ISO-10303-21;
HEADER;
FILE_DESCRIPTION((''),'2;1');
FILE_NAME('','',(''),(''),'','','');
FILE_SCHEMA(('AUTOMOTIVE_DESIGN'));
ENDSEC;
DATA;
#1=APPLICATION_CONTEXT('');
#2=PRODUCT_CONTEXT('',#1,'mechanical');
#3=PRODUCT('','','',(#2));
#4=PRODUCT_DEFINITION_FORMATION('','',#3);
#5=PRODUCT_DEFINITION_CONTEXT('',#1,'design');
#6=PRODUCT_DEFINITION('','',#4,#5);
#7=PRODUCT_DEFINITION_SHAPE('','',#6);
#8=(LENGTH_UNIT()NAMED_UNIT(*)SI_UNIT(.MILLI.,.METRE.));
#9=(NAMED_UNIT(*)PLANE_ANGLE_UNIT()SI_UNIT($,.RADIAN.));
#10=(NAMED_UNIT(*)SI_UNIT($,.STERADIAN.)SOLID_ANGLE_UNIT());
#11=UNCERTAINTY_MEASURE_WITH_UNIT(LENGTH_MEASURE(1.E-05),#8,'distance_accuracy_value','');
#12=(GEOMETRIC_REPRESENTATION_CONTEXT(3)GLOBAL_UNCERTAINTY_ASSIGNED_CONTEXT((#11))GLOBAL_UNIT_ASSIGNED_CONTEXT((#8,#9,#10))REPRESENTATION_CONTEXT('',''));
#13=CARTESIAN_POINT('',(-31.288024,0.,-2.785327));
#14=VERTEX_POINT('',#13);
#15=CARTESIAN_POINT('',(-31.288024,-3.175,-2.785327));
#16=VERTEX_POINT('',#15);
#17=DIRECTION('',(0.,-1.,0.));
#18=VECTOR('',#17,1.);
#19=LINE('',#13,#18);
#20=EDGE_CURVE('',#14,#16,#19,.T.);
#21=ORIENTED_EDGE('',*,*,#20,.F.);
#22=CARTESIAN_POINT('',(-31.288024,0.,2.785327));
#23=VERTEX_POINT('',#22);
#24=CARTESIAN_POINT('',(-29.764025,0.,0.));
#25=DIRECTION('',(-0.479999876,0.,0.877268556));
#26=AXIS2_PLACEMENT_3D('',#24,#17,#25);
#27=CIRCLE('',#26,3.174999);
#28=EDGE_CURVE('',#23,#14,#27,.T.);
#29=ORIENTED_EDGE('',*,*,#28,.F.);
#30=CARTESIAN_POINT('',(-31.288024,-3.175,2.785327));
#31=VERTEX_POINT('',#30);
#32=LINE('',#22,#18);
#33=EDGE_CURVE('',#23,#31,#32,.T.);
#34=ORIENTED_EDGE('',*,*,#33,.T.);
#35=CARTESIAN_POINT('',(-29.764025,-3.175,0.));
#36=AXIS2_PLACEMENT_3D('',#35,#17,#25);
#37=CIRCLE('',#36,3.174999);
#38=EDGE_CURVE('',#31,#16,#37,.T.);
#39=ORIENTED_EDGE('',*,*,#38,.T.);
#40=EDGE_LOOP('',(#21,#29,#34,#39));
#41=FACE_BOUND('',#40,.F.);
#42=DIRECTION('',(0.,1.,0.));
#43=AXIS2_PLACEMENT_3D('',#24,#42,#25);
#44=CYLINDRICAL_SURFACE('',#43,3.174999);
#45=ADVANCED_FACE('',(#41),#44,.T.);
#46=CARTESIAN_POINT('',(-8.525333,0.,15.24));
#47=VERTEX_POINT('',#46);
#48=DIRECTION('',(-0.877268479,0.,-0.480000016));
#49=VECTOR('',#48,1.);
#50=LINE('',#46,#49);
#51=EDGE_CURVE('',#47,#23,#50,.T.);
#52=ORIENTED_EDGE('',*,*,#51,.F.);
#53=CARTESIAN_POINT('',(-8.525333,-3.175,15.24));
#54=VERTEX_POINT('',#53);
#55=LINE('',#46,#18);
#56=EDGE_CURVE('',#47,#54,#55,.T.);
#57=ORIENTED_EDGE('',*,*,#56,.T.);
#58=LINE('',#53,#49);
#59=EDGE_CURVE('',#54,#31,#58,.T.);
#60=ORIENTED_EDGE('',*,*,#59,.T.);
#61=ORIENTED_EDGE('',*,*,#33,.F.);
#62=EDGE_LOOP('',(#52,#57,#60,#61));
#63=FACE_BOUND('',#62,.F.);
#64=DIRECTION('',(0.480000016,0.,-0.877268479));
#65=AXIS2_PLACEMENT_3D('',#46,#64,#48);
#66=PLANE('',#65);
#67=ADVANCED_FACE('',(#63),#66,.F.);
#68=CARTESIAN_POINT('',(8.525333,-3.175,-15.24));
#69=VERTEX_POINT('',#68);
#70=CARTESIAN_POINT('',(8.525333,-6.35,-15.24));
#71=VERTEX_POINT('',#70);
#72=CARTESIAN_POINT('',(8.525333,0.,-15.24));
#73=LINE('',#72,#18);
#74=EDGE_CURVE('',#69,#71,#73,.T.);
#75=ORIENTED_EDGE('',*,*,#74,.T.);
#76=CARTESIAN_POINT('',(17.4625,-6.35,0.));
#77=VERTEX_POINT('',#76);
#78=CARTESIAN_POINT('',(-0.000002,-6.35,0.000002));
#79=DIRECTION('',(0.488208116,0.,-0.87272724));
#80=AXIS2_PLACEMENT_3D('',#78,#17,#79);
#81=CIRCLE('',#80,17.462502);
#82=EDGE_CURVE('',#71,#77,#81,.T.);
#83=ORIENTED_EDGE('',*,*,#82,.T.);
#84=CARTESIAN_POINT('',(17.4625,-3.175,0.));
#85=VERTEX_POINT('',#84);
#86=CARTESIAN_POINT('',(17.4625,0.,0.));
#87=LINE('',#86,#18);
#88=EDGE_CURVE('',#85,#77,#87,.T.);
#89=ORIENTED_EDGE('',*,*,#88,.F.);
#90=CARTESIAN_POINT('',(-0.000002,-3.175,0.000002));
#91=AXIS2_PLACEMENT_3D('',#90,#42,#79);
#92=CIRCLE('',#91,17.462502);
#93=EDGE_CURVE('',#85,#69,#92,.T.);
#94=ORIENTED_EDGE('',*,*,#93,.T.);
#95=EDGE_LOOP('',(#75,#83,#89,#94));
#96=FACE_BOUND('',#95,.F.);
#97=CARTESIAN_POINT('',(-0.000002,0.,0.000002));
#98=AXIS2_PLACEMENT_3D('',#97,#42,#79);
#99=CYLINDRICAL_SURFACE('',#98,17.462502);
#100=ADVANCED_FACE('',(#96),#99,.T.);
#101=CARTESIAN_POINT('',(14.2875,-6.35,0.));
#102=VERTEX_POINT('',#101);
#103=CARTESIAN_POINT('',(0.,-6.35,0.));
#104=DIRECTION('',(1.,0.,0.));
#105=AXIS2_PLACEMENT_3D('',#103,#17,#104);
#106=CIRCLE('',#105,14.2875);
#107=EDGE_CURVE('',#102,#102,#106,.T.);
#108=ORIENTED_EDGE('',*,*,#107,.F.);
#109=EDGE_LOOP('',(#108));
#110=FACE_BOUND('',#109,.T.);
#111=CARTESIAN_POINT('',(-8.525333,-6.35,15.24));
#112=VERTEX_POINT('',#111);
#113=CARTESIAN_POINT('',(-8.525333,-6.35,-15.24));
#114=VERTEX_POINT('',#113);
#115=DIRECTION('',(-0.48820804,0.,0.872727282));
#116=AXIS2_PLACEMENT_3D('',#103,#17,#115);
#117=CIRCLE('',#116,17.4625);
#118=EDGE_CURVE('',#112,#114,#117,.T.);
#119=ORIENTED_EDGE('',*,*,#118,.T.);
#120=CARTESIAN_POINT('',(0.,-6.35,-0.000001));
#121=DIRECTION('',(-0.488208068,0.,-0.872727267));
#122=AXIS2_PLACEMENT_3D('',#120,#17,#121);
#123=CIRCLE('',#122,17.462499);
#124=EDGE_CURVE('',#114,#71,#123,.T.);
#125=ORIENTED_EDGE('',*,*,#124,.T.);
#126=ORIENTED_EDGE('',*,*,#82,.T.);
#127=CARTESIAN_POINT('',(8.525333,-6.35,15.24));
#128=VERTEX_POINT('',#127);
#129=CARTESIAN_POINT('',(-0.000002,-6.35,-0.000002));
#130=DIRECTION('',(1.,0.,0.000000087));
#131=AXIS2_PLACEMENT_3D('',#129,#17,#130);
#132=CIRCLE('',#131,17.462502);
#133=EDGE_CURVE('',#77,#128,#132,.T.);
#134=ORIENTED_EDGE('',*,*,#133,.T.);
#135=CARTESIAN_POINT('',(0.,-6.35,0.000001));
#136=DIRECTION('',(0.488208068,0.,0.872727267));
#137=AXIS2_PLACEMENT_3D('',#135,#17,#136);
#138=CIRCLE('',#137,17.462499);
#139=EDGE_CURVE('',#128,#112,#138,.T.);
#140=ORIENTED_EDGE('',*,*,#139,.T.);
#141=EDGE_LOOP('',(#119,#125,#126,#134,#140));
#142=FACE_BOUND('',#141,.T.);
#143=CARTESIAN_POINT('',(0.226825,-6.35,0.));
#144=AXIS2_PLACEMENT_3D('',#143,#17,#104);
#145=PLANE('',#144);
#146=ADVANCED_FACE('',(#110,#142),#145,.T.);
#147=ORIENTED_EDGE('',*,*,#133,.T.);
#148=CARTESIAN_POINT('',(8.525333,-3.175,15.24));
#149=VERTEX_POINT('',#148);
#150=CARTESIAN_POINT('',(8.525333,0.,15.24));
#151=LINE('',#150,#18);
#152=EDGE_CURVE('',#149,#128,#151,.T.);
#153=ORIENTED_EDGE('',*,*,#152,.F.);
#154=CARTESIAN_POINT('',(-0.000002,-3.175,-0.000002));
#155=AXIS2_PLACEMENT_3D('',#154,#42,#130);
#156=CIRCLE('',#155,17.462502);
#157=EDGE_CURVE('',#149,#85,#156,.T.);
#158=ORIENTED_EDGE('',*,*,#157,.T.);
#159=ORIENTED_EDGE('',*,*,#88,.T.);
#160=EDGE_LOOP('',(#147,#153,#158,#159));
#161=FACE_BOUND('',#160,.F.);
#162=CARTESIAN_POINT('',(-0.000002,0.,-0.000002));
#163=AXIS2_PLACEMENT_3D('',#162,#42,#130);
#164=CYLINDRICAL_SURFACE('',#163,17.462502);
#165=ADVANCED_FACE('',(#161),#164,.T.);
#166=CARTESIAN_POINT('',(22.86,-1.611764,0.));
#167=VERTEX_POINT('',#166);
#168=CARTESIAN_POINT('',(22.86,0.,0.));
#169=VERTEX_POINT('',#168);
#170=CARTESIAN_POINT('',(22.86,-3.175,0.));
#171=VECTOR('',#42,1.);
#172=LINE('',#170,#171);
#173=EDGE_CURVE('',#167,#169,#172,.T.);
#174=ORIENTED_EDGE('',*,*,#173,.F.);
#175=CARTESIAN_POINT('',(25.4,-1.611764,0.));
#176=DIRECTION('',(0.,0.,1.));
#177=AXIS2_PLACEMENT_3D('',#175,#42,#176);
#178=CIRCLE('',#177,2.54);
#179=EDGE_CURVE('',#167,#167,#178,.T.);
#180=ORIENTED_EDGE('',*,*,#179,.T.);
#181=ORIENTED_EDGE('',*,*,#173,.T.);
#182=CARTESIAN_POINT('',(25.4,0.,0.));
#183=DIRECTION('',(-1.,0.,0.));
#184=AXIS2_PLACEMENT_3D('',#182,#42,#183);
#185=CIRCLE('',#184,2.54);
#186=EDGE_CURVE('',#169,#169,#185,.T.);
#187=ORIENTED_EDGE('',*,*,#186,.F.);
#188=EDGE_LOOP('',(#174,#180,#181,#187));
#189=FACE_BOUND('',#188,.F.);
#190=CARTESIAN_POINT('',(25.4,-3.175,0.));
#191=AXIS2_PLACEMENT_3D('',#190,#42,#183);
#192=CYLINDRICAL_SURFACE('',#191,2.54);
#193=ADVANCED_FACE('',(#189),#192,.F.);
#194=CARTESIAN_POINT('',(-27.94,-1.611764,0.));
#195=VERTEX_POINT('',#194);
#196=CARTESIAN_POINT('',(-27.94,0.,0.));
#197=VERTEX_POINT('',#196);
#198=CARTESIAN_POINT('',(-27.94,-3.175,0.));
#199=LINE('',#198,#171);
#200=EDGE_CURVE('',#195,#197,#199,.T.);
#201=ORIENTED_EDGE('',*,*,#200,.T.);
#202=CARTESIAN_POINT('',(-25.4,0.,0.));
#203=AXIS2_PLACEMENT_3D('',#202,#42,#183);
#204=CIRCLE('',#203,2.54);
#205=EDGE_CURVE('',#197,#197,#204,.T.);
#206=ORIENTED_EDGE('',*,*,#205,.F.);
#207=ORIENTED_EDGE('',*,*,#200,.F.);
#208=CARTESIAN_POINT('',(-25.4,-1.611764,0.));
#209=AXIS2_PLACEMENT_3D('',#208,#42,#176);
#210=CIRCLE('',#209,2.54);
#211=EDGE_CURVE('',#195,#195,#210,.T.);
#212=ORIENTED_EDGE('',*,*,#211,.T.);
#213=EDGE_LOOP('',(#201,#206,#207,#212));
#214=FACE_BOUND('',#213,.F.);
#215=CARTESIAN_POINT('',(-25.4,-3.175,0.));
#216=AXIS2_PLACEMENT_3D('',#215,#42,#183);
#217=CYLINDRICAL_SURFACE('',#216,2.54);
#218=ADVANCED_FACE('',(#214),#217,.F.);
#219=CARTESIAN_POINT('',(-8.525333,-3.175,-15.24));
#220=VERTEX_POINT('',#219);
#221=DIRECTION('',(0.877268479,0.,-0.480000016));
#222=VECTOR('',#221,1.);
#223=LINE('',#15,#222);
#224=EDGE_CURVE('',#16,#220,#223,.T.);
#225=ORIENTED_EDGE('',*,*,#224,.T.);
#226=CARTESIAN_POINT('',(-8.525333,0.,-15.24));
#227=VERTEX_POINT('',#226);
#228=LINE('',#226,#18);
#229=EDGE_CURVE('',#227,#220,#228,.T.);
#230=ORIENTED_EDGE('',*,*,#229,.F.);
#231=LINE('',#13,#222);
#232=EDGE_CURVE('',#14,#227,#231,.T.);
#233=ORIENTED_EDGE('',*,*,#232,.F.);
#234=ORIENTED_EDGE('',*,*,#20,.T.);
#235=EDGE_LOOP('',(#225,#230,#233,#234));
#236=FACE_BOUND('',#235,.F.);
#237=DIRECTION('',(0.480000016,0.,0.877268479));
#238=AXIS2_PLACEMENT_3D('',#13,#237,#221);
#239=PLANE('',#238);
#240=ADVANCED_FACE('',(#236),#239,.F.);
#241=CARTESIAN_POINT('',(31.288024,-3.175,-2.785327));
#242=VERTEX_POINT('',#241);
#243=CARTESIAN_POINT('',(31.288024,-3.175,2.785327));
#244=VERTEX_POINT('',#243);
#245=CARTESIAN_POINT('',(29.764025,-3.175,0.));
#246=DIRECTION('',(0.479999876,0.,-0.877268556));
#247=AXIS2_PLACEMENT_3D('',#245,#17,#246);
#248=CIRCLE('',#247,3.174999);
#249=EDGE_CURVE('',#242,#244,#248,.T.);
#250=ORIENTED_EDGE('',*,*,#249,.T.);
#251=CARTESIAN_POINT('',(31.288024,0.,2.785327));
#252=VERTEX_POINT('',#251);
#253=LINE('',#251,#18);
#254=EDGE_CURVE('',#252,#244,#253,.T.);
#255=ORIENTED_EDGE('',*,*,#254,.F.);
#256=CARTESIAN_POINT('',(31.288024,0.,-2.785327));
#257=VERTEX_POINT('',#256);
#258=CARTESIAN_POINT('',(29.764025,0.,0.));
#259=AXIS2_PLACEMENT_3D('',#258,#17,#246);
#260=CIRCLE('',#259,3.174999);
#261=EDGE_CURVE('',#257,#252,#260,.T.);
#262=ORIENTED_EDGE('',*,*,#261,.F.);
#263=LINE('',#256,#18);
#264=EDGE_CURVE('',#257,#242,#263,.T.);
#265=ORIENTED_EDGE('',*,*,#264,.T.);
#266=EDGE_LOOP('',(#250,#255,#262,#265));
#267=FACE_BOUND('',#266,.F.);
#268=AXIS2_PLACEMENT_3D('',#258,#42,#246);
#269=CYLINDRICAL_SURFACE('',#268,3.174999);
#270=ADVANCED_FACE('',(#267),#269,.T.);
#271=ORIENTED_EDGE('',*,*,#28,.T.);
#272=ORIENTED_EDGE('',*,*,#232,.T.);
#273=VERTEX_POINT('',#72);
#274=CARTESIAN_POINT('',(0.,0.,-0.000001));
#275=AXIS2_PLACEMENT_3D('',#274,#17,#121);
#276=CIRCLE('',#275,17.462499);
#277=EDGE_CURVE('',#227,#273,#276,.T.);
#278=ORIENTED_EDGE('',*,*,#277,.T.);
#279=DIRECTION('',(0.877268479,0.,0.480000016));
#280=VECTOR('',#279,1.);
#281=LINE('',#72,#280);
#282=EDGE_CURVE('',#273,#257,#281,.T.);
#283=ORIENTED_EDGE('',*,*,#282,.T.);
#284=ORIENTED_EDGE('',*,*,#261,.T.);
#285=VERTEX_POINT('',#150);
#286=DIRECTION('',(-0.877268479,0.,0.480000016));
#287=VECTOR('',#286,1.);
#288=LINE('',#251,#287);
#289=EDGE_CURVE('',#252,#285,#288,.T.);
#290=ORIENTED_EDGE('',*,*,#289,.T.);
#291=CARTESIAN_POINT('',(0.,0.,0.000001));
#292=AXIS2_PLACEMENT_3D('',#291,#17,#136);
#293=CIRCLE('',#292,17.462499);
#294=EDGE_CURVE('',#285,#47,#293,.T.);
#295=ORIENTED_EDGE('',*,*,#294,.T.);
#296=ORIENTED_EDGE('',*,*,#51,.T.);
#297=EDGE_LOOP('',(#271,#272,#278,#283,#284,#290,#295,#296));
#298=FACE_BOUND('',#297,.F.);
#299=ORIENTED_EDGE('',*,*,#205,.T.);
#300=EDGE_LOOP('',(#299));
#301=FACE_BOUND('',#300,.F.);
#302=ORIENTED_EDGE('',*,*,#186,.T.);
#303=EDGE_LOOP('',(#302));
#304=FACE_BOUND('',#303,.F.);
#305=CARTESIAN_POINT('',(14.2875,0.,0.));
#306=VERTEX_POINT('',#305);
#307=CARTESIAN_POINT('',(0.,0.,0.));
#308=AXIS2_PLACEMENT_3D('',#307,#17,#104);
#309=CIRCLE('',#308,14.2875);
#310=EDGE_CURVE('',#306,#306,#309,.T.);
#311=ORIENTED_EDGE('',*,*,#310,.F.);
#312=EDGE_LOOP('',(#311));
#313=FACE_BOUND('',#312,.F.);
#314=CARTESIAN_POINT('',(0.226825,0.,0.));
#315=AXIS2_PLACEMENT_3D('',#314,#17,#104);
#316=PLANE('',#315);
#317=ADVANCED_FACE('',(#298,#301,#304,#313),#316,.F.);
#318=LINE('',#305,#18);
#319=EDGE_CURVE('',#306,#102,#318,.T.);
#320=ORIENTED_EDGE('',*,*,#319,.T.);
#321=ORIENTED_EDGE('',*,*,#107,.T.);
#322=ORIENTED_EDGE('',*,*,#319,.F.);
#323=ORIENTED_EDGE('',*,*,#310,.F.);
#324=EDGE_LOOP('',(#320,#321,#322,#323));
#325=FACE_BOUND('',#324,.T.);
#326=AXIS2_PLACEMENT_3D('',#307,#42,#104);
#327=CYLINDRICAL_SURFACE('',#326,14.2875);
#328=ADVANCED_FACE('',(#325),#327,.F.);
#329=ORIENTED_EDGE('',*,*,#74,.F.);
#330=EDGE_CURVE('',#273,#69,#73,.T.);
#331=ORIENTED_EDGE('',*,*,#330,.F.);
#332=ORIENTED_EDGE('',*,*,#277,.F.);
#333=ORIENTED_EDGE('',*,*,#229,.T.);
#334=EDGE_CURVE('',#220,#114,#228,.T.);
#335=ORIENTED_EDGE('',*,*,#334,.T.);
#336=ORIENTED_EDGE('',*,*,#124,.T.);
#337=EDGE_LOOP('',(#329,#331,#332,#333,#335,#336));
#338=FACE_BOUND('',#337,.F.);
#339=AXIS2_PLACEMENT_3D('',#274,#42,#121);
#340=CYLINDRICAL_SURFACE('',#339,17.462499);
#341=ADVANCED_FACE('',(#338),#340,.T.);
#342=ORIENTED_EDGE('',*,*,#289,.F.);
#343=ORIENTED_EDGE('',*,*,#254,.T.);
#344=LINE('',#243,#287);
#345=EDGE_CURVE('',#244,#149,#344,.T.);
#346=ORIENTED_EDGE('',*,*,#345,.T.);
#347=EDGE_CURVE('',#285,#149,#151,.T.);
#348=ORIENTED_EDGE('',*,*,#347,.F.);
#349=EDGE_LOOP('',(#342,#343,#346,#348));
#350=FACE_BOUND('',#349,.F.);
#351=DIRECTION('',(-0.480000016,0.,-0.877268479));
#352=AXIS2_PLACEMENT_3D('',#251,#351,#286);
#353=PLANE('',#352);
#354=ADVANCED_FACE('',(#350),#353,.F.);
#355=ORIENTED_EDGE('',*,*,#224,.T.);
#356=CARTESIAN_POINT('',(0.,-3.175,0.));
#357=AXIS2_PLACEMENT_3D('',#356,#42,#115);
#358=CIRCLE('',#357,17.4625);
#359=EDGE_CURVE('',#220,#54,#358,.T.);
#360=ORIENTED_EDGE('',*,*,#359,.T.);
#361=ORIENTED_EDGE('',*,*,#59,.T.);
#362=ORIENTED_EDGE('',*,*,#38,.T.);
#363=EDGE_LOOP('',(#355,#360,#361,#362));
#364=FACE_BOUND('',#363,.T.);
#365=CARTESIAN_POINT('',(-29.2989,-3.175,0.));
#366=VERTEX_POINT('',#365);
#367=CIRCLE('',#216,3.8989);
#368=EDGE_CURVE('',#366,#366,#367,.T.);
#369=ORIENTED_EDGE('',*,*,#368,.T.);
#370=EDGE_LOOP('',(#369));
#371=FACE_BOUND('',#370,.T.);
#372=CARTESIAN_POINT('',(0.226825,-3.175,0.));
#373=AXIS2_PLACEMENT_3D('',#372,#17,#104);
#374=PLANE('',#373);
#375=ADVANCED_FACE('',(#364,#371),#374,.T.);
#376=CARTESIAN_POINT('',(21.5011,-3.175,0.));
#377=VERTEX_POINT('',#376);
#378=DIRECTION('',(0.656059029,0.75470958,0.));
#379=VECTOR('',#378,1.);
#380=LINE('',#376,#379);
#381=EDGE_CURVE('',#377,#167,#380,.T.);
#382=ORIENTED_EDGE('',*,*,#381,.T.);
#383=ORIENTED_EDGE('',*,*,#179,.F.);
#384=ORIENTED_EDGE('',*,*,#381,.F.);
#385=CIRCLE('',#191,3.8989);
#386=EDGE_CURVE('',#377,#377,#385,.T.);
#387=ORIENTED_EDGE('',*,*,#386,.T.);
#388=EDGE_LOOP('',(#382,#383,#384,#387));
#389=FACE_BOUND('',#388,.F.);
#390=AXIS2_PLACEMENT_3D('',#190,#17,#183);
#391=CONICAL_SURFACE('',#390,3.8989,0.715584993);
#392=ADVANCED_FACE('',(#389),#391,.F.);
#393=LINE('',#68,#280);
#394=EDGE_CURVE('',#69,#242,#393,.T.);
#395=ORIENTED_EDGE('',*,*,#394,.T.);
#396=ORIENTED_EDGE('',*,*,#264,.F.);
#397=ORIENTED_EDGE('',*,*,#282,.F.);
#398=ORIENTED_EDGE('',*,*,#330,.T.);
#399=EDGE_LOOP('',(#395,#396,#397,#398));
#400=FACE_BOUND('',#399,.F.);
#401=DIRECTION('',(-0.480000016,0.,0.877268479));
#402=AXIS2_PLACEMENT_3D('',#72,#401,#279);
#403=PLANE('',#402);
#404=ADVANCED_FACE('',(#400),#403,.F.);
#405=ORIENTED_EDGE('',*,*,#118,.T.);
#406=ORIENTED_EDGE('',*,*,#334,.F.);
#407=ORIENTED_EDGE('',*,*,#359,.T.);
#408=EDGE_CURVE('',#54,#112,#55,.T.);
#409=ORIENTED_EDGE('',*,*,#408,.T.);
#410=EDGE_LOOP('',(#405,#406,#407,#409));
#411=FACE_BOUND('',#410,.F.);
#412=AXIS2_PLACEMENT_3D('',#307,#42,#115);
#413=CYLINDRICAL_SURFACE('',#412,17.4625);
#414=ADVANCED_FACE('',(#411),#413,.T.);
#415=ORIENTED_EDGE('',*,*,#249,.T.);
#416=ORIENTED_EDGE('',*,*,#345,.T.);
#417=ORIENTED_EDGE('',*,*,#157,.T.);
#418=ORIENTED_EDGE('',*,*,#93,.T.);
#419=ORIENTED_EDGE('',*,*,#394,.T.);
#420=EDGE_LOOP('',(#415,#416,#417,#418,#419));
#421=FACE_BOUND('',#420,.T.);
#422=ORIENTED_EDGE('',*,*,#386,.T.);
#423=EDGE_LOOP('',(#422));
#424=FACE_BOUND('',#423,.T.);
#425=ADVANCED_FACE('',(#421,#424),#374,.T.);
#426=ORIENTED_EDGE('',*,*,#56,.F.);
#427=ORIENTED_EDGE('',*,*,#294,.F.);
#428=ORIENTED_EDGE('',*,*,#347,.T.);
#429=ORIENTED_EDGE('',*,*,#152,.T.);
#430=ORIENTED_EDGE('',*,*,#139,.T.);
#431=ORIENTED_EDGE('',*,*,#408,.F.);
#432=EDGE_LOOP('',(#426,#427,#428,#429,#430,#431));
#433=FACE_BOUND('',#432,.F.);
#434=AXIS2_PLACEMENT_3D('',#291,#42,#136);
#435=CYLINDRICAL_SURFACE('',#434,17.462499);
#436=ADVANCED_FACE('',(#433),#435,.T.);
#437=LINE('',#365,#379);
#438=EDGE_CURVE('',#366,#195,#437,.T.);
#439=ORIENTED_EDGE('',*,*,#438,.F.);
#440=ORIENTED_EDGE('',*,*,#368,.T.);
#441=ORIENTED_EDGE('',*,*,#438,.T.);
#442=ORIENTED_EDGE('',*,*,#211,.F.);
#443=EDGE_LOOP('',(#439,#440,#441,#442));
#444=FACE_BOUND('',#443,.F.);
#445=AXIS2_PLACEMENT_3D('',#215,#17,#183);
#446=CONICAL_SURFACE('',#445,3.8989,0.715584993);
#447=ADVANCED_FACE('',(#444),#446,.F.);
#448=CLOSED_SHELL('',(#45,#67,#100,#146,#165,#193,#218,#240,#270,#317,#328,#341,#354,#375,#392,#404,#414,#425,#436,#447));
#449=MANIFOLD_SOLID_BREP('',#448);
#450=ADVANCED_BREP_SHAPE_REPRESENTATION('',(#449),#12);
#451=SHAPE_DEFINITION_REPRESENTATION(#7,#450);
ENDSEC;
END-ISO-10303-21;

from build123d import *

# Parameters (mm, degrees)
F0_R           = 14.2875
F1_DEPTH       = 3.175
F2_DEPTH       = 6.35
F4_D           = 5.08
F4_CSINK_D     = 7.7978
F4_CSINK_ANGLE = 82


with BuildPart() as f1:
    # F0 (on Front) → F1 (new body)
    with BuildSketch(Plane.XZ):
        with BuildLine():
            ThreePointArc((8.525333, -15.24), (15.063408, -8.833608), (17.4625, 0))
            ThreePointArc((17.4625, 0), (15.063408, 8.833608), (8.525333, 15.24))
            ThreePointArc((8.525333, 15.24), (0, 17.4625), (-8.525333, 15.24))
            ThreePointArc((-8.525333, 15.24), (-17.4625, 0), (-8.525333, -15.24))
            ThreePointArc((-8.525333, -15.24), (0, -17.4625), (8.525333, -15.24))
        make_face()
        Circle(F0_R, mode=Mode.SUBTRACT)
        with BuildLine():
            ThreePointArc((8.525333, 15.24), (15.063408, 8.833608), (17.4625, 0))
            ThreePointArc((17.4625, 0), (15.063408, -8.833608), (8.525333, -15.24))
            Line((8.525333, -15.24), (31.288024, -2.785327))
            ThreePointArc((31.288024, -2.785327), (32.939024, 0), (31.288024, 2.785327))
            Line((31.288024, 2.785327), (8.525333, 15.24))
        make_face()
        with BuildLine():
            ThreePointArc((-8.525333, -15.24), (-17.4625, 0), (-8.525333, 15.24))
            Line((-8.525333, 15.24), (-31.288024, 2.785327))
            ThreePointArc((-31.288024, 2.785327), (-32.939024, 0), (-31.288024, -2.785327))
            Line((-31.288024, -2.785327), (-8.525333, -15.24))
        make_face()
    extrude(amount=F1_DEPTH)

    # F0 (on Front) → F2 (join)
    with BuildSketch(Plane.XZ):
        with BuildLine():
            ThreePointArc((8.525333, -15.24), (15.063408, -8.833608), (17.4625, 0))
            ThreePointArc((17.4625, 0), (15.063408, 8.833608), (8.525333, 15.24))
            ThreePointArc((8.525333, 15.24), (0, 17.4625), (-8.525333, 15.24))
            ThreePointArc((-8.525333, 15.24), (-17.4625, 0), (-8.525333, -15.24))
            ThreePointArc((-8.525333, -15.24), (0, -17.4625), (8.525333, -15.24))
        make_face()
        Circle(F0_R, mode=Mode.SUBTRACT)
    extrude(amount=F2_DEPTH)

    # F4 (through all)
    with Locations(Plane.XZ.offset(3.175)):
        with Locations((-25.4, 0), (25.4, 0)):
            CounterSinkHole(F4_D / 2, F4_CSINK_D / 2, counter_sink_angle=F4_CSINK_ANGLE)


solid = f1.part
